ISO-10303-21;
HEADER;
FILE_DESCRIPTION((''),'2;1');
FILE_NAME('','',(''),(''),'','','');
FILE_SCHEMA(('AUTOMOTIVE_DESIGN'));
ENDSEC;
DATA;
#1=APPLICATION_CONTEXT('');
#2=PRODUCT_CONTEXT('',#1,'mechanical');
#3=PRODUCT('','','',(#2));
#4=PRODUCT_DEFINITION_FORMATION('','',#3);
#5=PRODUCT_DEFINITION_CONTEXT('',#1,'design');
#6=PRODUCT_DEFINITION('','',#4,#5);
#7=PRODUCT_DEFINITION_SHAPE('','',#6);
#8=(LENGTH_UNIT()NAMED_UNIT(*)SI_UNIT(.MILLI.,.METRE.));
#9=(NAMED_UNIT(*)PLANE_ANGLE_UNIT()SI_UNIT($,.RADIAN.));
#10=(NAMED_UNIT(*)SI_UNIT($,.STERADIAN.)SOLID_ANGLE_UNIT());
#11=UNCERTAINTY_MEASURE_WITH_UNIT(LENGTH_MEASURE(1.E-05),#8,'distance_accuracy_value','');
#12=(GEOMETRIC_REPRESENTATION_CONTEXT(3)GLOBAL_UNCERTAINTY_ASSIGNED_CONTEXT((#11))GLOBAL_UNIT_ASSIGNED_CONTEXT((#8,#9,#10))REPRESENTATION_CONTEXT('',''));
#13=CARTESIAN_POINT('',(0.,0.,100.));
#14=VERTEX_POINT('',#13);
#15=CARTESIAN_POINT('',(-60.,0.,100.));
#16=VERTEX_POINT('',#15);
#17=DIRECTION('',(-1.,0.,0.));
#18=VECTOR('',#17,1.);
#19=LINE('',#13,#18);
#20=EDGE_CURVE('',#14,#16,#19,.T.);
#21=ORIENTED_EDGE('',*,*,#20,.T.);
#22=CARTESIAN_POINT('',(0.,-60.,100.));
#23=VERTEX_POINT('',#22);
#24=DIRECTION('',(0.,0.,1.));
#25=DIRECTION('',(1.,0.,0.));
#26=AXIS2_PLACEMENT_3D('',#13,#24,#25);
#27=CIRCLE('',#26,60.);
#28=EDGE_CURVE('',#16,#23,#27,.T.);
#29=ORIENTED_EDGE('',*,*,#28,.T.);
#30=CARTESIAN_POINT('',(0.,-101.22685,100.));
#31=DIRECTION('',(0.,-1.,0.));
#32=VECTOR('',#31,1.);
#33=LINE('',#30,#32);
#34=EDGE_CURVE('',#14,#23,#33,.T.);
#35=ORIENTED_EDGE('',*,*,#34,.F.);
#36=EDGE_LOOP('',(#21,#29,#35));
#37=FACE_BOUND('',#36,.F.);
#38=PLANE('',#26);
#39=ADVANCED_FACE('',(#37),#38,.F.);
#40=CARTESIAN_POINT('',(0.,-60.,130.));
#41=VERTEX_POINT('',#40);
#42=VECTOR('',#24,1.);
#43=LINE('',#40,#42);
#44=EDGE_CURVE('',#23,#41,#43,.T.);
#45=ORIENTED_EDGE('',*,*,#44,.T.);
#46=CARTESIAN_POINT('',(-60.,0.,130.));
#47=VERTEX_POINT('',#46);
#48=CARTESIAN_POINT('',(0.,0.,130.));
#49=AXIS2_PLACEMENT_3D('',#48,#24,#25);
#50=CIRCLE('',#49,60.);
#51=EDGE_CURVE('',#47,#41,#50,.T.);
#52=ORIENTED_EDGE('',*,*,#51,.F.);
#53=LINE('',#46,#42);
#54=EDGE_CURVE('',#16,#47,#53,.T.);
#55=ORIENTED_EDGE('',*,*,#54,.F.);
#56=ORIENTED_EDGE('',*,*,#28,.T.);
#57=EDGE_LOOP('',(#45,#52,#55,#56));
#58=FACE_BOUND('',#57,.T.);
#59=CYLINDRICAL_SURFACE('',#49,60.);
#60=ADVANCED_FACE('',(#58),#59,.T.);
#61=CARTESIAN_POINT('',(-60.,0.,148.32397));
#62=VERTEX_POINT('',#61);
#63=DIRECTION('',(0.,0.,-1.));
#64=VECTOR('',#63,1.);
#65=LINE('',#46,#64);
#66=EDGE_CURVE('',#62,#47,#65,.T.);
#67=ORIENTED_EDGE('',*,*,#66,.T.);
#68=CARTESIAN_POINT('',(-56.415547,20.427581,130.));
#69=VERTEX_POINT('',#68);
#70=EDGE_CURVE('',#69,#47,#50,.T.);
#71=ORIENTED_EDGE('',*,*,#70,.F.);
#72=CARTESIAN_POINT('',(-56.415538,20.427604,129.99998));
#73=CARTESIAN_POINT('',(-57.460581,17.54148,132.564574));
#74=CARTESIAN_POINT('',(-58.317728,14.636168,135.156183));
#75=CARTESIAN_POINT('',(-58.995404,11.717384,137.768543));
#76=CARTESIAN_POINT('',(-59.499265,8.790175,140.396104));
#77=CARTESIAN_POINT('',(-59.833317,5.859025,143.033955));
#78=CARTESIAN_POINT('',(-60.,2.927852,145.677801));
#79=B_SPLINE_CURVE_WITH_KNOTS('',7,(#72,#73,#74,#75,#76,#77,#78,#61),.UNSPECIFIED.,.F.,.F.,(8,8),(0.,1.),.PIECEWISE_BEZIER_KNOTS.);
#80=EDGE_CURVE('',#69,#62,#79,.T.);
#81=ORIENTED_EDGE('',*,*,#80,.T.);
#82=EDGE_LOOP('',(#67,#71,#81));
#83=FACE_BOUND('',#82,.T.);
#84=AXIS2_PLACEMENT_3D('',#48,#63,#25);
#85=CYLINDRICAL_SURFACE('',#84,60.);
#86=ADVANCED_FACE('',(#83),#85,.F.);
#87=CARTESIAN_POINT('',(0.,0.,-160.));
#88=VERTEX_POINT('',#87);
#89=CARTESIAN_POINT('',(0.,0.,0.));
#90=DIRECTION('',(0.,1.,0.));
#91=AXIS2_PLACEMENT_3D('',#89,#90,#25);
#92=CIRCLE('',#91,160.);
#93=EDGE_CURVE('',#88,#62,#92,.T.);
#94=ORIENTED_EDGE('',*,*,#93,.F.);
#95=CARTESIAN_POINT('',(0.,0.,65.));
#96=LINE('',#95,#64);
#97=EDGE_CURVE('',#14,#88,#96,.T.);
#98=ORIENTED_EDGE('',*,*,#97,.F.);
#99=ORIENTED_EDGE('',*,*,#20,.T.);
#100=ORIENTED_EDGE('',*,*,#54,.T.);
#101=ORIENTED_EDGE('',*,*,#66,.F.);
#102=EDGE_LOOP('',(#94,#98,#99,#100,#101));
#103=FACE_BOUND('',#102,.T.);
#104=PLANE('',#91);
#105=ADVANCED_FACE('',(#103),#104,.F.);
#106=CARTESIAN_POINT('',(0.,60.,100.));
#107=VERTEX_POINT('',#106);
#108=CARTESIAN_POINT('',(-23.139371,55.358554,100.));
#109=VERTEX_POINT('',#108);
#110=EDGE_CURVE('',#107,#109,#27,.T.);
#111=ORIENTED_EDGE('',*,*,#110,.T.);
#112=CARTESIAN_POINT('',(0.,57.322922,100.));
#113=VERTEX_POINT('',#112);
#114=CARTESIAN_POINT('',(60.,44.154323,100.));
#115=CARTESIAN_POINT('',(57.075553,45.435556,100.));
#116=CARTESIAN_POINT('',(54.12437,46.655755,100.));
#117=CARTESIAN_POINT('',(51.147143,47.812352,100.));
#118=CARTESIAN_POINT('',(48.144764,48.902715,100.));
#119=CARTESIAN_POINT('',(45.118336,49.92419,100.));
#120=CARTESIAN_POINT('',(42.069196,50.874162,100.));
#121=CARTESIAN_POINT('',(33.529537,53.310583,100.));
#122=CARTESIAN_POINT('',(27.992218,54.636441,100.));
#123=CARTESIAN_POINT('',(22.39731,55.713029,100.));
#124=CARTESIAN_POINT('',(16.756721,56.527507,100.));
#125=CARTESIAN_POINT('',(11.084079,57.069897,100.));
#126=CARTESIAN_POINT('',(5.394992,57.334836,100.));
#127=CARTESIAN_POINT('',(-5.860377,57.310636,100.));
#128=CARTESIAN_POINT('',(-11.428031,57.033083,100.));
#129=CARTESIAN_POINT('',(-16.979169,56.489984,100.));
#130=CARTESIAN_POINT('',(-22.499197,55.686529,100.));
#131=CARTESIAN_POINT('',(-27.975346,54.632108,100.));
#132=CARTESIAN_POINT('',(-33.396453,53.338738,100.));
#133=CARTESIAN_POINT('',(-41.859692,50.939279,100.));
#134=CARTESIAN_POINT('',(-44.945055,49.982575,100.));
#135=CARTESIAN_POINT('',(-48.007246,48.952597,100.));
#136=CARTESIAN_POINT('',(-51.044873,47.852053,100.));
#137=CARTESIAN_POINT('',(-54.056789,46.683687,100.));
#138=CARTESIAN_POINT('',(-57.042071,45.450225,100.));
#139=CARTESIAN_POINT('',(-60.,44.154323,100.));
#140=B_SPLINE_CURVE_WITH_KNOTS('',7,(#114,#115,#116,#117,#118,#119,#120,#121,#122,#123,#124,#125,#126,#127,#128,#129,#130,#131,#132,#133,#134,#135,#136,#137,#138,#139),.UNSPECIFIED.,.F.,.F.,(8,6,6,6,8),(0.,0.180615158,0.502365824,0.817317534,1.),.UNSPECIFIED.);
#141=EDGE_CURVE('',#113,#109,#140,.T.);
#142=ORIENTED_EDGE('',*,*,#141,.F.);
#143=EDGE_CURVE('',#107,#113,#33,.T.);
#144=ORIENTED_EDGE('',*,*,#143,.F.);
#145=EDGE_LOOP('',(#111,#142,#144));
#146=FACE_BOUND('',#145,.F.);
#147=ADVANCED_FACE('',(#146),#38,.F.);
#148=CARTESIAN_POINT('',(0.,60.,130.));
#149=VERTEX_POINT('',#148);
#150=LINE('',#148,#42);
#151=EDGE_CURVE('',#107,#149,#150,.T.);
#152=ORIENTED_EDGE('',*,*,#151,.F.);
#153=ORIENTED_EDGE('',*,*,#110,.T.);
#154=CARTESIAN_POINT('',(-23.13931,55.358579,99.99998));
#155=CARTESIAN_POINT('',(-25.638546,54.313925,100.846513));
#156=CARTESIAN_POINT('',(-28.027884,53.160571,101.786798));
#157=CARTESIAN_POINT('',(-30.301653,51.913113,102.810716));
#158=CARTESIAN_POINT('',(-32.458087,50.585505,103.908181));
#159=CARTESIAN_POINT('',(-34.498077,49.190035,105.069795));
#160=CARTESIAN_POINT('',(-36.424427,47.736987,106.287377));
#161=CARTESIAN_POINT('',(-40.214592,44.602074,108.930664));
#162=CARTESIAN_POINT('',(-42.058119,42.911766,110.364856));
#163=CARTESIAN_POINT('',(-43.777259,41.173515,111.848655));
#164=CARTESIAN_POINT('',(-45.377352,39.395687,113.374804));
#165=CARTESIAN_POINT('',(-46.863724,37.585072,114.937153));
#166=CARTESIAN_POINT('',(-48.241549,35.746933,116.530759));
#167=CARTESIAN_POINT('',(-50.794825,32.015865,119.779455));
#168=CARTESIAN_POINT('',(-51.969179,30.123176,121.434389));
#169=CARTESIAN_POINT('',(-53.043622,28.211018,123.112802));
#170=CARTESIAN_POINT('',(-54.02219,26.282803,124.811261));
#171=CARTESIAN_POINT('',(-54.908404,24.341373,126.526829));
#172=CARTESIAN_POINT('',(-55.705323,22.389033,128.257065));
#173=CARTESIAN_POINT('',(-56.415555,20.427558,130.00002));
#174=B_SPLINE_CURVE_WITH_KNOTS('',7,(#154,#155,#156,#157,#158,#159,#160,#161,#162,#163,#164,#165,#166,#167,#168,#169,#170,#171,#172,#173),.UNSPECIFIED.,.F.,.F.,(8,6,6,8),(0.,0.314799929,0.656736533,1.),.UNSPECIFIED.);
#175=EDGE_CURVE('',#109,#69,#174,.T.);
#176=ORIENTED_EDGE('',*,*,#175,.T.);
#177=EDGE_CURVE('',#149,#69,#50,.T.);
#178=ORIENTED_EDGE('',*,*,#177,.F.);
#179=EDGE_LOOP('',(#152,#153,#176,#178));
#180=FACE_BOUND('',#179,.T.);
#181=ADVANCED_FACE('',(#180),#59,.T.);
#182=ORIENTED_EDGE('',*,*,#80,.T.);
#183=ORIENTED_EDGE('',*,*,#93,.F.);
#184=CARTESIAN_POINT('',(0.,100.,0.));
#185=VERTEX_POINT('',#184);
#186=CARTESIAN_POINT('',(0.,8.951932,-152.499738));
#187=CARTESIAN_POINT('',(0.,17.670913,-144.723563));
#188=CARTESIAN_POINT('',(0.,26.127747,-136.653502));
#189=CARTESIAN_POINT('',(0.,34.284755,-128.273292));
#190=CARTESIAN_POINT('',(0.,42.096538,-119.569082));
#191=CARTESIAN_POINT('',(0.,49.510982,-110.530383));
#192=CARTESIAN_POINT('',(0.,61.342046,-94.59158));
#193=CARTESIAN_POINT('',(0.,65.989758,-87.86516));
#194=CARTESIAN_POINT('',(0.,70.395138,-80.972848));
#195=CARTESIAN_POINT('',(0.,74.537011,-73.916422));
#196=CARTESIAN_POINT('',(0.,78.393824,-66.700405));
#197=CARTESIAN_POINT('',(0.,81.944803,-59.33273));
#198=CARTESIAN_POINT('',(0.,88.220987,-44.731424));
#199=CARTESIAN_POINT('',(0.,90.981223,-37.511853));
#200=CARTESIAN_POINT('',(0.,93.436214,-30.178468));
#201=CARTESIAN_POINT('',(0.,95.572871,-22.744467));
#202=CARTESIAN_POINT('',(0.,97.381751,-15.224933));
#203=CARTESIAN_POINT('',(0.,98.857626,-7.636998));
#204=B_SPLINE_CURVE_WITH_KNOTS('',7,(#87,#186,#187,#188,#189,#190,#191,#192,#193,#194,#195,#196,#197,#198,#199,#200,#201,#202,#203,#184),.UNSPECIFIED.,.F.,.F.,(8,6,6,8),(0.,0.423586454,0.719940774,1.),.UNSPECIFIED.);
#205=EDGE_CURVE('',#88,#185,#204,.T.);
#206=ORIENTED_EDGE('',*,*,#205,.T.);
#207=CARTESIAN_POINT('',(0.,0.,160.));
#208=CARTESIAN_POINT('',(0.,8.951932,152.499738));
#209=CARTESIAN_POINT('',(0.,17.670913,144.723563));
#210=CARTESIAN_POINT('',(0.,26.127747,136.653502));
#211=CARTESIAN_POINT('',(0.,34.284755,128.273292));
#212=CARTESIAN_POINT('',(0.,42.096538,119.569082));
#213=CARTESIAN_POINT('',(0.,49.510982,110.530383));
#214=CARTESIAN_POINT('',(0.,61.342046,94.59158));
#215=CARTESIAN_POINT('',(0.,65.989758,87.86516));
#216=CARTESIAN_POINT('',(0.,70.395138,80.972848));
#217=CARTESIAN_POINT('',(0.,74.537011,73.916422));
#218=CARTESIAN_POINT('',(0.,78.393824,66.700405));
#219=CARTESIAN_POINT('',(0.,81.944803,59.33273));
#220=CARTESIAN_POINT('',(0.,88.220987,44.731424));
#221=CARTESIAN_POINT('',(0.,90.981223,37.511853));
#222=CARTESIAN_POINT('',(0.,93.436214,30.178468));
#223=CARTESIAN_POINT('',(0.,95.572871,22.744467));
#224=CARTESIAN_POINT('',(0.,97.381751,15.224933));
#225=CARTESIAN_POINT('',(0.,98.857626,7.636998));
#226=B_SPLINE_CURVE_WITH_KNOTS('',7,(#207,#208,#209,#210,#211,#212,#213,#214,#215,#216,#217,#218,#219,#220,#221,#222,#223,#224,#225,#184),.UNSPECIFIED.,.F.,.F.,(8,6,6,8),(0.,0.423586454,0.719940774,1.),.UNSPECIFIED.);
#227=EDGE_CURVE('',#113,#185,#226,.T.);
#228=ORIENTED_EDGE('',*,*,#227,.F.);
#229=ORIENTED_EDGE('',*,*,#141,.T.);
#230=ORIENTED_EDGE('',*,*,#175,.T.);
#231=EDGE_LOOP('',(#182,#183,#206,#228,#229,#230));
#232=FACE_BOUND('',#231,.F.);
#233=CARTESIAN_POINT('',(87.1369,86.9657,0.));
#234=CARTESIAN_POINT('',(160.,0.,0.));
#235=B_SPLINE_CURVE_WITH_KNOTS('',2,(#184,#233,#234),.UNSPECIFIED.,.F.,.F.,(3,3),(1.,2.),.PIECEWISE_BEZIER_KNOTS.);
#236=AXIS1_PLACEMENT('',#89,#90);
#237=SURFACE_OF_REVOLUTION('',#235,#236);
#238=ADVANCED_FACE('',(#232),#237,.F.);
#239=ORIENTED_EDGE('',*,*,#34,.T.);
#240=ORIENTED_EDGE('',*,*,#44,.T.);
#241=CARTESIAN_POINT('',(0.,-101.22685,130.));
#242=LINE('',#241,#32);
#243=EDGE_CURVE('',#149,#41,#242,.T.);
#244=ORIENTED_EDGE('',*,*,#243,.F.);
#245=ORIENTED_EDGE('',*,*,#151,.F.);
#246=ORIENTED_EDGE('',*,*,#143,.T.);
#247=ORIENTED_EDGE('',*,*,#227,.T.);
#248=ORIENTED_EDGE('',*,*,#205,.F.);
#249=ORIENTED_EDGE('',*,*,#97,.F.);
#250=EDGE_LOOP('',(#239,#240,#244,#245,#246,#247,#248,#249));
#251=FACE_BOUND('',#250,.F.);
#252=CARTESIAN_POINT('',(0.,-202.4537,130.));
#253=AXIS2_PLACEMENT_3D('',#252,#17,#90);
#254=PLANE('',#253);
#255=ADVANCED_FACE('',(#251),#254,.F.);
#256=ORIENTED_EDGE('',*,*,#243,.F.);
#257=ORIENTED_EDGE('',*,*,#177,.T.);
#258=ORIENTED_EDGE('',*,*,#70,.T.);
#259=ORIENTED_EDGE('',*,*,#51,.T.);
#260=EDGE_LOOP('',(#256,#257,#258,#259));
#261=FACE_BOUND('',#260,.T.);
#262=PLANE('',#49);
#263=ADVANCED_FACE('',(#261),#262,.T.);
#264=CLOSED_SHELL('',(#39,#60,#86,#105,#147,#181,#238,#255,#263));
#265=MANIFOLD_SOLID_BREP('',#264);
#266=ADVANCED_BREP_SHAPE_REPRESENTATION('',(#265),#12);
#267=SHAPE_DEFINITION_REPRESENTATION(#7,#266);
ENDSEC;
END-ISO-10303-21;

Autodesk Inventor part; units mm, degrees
ref_plane "YZ Plane" through (0, 0, 0) normal (1, 0, 0) x (0, 1, 0)
ref_plane "XZ Plane" through (0, 0, 0) normal (0, 1, 0) x (-1, 0, 0)
sketch "Esquisse1" plane through (0, 0, 0) normal (0, 0, 1) x (1, 0, 0)
  line L0 (0, 0) -> (160, 0) construction
  line L1 (0, 0) -> (0, 100) construction
  line L2 (0, 100) -> (87.1369, 86.9657) construction
  line L3 (87.1369, 86.9657) -> (160, 0) construction
  spline S0 degree 2 poles (0, 100) (87.1369, 86.9657) (160, 0) knots 1 1 1 2 2 2
  line L4 (0, 100) -> (0, 0)
  line L5 (0, 0) -> (160, 0)
  dimension "d0" = 160
  dimension "d1" = 100
revolve "Révolution1" add sketch "Esquisse1" angle 360 about axis through (0, 0, 0) along (0, 1, 0)
ref_plane "Plan de construction1" through (0, 0, 130) normal (0, 0, 1) x (1, 0, 0)
sketch "Esquisse3" plane through (0, 0, 130) normal (0, 0, 1) x (1, 0, 0)
  circle A0 centre (0, 0) radius 60
  dimension "d8" = 120
extrude "Extrusion2" add sketch "Esquisse3" against normal blind 30
sketch "Esquisse4" plane through (0, 0, 130) normal (0, 0, 1) x (1, 0, 0)
  circle A0 centre (0, 0) radius 60
  dimension "d11" = 120
extrude "Extrusion3" cut sketch "Esquisse4" along normal blind 30
sketch "Esquisse6" plane through (0, 0, 130) normal (0, 0, 1) x (1, 0, 0)
  line L0 (0, 105.5344) -> (175.5316, 105.5344)
  line L1 (175.5316, 105.5344) -> (175.5316, -202.4537)
  line L2 (175.5316, -202.4537) -> (0, -202.4537)
  line L3 (0, -202.4537) -> (0, 105.5344)
  point P0 (0, 0)
extrude "Extrusion5" cut sketch "Esquisse6" along normal mid plane 800
properties part number "RightSide"
